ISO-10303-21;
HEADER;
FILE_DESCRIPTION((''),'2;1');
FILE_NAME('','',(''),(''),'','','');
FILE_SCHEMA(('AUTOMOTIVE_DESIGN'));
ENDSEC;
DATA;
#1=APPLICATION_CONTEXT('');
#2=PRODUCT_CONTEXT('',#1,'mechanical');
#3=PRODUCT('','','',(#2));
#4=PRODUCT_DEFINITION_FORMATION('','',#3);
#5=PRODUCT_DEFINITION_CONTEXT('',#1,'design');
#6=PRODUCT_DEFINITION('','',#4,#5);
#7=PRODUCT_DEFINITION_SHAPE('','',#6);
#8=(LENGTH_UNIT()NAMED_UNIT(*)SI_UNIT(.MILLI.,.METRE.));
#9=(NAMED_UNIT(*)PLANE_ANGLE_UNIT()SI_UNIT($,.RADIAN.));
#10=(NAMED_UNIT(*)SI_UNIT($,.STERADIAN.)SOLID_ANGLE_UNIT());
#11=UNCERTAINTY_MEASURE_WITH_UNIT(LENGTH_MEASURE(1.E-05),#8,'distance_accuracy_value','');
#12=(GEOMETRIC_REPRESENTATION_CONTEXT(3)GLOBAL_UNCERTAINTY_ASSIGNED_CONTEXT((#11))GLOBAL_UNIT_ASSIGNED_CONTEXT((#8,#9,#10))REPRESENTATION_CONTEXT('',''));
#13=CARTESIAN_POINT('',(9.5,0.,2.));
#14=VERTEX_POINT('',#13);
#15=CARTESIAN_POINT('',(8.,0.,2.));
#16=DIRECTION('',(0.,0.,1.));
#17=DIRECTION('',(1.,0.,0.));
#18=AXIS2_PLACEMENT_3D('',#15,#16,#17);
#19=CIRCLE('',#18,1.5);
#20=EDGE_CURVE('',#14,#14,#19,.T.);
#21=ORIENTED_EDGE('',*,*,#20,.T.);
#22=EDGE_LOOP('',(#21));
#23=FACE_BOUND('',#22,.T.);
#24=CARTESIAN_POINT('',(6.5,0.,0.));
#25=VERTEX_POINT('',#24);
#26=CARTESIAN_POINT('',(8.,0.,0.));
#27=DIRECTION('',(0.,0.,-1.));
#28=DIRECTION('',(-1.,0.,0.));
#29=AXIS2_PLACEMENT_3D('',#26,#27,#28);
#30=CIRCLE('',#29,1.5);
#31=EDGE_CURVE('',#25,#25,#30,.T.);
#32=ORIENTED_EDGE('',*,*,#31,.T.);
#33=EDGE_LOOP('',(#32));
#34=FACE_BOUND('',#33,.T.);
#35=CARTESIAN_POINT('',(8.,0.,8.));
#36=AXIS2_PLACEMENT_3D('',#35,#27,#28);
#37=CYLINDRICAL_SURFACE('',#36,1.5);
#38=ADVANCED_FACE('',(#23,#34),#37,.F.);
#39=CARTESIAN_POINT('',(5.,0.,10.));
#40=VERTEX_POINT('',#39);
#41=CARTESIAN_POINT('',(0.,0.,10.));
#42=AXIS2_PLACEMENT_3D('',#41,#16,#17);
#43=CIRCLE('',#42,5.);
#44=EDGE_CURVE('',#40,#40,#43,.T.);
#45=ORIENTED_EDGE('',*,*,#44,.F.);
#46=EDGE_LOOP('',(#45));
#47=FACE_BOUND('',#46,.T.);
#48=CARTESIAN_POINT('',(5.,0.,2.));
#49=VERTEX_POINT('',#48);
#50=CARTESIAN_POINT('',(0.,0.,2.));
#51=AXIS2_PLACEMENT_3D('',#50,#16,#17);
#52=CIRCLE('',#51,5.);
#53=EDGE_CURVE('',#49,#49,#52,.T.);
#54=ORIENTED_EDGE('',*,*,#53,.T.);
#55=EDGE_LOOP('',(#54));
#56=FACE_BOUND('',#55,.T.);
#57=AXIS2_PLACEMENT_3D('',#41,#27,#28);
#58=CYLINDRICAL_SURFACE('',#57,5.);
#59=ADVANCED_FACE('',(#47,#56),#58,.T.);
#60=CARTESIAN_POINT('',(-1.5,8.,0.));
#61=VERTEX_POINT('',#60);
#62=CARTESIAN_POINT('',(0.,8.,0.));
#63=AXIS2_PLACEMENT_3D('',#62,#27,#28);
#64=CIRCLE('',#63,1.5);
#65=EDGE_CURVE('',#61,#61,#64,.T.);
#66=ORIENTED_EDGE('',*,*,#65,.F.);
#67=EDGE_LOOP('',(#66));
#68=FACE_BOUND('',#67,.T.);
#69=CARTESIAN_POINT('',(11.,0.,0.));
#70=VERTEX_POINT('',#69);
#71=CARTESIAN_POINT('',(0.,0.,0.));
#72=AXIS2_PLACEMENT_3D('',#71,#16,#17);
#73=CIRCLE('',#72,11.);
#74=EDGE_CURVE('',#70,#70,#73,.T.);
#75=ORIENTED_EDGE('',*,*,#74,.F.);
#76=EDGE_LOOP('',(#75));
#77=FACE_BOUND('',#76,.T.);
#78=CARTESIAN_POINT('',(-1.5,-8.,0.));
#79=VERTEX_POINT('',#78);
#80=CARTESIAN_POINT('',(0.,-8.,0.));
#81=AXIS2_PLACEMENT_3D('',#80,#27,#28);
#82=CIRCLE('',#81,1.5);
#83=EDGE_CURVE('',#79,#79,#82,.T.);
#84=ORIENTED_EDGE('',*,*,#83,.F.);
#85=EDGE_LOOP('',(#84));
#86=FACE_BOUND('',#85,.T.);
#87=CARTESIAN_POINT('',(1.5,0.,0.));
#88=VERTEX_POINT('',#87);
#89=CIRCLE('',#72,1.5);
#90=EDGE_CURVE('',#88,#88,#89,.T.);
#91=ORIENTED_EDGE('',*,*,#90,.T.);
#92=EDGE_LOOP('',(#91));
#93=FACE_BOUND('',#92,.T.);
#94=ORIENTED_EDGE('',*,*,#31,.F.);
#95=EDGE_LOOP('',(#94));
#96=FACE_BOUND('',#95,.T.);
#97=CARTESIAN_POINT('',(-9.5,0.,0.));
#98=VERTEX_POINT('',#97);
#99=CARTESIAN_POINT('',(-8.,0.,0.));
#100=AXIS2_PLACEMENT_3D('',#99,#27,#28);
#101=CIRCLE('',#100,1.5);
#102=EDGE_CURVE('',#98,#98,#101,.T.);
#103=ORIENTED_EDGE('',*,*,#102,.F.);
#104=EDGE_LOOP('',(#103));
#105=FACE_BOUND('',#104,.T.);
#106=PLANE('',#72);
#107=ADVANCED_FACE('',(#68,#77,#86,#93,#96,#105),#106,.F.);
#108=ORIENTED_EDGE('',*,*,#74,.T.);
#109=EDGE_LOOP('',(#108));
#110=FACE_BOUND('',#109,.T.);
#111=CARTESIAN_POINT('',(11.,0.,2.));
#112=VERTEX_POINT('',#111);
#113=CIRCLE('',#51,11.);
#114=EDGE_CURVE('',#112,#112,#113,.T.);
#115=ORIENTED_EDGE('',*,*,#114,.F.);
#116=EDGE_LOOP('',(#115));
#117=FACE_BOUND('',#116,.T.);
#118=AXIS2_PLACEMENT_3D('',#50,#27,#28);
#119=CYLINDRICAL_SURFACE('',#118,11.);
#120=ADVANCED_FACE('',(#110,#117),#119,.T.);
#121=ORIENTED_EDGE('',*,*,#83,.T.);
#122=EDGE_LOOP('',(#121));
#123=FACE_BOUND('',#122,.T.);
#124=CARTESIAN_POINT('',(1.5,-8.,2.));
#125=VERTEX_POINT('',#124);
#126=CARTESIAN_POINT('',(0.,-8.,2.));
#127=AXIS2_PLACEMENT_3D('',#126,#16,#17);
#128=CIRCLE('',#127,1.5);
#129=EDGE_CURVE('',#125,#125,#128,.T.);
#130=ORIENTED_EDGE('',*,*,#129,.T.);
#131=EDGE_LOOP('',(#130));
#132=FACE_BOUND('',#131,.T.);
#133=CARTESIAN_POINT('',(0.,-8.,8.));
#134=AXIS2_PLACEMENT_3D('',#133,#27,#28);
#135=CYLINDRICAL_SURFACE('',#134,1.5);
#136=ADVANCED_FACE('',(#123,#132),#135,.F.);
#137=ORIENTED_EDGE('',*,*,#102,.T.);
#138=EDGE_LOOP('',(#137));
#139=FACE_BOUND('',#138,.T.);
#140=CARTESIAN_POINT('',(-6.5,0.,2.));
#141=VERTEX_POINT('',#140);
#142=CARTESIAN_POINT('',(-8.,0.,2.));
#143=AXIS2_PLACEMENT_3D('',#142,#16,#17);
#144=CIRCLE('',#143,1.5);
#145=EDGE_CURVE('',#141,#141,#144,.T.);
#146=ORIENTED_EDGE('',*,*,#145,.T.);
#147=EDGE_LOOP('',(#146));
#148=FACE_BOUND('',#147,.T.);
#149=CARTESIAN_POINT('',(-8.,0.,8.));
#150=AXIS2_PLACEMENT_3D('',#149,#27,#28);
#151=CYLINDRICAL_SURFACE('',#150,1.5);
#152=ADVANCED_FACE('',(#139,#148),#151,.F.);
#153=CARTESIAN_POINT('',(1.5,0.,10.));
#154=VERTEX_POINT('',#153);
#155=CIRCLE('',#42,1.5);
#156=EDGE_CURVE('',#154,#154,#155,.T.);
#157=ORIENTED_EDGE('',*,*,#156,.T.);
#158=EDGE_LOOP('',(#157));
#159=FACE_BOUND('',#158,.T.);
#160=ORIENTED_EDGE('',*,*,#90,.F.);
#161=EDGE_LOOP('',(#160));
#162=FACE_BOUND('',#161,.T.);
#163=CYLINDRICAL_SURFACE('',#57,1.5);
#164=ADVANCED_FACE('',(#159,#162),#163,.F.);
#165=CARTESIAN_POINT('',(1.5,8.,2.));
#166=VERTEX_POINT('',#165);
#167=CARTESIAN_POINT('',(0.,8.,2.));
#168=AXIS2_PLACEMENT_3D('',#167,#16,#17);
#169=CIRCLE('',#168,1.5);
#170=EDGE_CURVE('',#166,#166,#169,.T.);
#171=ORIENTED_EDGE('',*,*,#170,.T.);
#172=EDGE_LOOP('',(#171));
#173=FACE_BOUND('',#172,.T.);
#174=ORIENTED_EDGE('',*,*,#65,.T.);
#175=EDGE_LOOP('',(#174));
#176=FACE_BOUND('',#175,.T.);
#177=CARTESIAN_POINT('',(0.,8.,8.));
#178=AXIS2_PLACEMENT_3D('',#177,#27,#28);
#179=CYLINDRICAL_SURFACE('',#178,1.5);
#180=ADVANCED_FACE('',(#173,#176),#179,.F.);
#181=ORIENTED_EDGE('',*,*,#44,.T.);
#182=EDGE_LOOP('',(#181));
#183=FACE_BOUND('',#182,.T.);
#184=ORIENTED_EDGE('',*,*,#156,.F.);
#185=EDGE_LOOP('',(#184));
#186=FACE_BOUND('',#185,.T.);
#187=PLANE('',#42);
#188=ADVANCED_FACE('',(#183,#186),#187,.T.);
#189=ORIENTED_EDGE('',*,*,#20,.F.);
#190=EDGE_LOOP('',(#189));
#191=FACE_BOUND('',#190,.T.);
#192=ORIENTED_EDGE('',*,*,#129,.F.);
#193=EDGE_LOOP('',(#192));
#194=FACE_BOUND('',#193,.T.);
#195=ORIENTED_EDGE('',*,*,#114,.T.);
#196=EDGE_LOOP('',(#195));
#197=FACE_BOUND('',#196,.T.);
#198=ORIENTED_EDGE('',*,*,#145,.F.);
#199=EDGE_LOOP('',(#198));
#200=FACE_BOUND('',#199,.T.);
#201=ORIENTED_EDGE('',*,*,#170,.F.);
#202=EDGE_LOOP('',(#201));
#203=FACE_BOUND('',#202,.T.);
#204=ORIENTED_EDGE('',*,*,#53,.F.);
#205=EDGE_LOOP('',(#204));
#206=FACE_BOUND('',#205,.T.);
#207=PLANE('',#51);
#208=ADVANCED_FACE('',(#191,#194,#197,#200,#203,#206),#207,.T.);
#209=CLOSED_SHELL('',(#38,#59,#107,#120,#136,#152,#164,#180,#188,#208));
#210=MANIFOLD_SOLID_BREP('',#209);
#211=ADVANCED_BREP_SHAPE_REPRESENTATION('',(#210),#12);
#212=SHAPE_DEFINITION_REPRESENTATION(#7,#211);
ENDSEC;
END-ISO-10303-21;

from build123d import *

# Parameters (mm, degrees)
SKETCH1_R      = 11
EXTRUDE1_DEPTH = 2
SKETCH2_R      = 5
EXTRUDE2_DEPTH = 8
SKETCH3_R      = 1.5
EXTRUDE5_DEPTH = 19.493242009
SKETCH4_R      = 1.5
EXTRUDE6_DEPTH = 8


with BuildPart() as part:
    # Sketch1 → Extrude1 (new body)
    with BuildSketch(Plane.XY):
        Circle(SKETCH1_R)
    extrude(amount=EXTRUDE1_DEPTH)

    # Sketch2 → Extrude2 (add)
    with BuildSketch(Plane.XY.offset(2)):
        Circle(SKETCH2_R)
    extrude(amount=EXTRUDE2_DEPTH)

    # Sketch3 → Extrude5 (cut, through all)
    with BuildSketch(Plane.XY):
        Circle(SKETCH3_R)
    extrude(amount=EXTRUDE5_DEPTH, mode=Mode.SUBTRACT)

    # Sketch4 → Extrude6 (cut)
    with BuildSketch(Plane(origin=(0, 0, 0), x_dir=(-1, 0, 0), z_dir=(0, 0, -1))):
        with Locations((8, 0)):
            Circle(SKETCH4_R)
        with Locations((0, -8)):
            Circle(SKETCH4_R)
        with Locations((-8, 0)):
            Circle(SKETCH4_R)
        with Locations((0, 8)):
            Circle(SKETCH4_R)
    extrude(amount=-EXTRUDE6_DEPTH, mode=Mode.SUBTRACT)


solid = part.part
